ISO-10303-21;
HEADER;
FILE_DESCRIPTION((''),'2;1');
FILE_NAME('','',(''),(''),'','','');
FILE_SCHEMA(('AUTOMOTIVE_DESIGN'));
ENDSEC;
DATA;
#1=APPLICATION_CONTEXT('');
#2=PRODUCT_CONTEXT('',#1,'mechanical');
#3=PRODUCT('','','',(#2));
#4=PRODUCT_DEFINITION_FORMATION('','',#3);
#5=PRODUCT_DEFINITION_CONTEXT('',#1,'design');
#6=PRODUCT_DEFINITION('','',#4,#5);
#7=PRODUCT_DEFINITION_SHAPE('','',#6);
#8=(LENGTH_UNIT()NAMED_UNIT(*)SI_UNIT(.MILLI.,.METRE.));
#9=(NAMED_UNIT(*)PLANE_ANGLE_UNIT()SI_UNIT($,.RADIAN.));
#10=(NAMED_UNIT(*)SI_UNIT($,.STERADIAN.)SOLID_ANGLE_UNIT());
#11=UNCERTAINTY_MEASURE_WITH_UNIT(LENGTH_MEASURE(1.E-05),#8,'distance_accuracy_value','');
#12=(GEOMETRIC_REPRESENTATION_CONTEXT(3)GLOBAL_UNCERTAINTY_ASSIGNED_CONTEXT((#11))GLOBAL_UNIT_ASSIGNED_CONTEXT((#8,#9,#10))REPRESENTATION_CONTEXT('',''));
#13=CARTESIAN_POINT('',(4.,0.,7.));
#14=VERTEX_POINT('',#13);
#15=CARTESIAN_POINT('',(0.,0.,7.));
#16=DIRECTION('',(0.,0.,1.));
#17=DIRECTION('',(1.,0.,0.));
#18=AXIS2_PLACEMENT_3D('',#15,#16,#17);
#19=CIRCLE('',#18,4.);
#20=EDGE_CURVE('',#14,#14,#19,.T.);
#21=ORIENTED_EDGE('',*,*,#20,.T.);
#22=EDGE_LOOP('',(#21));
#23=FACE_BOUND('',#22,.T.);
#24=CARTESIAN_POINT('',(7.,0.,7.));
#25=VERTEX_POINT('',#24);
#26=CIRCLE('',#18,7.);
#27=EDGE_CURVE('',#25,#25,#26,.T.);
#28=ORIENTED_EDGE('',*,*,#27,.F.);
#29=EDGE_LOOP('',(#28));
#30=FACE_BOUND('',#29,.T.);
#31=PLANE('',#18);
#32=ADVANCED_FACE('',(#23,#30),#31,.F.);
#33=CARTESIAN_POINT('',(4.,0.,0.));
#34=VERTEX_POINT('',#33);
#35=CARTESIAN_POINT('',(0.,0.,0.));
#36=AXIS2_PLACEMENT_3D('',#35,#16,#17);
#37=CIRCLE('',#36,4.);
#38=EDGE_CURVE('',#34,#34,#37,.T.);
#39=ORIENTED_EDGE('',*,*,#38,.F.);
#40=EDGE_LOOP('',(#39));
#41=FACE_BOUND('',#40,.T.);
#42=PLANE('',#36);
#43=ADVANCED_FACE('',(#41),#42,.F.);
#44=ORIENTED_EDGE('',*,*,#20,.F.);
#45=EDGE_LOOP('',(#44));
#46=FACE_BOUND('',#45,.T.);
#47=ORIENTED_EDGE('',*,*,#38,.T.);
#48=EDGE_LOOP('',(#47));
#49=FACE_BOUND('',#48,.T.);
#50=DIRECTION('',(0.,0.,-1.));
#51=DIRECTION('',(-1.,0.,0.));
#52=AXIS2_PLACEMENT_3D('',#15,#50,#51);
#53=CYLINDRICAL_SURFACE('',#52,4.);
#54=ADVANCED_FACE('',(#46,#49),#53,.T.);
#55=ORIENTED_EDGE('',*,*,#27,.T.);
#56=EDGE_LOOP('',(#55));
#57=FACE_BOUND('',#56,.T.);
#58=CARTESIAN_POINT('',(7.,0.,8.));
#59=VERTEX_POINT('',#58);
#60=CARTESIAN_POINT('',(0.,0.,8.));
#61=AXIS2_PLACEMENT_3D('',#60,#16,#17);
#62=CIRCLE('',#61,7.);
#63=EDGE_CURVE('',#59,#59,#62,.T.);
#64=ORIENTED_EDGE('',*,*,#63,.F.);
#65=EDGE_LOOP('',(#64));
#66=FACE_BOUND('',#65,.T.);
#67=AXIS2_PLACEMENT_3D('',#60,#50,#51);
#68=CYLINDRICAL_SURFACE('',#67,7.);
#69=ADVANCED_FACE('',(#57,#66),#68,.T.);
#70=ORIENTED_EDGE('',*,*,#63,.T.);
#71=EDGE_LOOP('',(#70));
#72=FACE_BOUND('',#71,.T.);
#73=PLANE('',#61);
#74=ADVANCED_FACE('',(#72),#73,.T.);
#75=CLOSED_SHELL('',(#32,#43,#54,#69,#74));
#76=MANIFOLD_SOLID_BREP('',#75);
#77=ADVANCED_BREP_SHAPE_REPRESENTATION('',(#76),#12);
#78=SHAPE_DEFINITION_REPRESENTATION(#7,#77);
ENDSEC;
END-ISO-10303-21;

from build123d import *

# Parameters (mm, degrees)
SKETCH1_R           = 4
BOSS_EXTRUDE1_DEPTH = 7
SKETCH2_R           = 7
BOSS_EXTRUDE2_DEPTH = 1


with BuildPart() as part:
    # Sketch1 → Boss-Extrude1 (new body)
    with BuildSketch(Plane.XY):
        Circle(SKETCH1_R)
    extrude(amount=BOSS_EXTRUDE1_DEPTH)

    # Sketch2 → Boss-Extrude2 (add)
    with BuildSketch(Plane.XY.offset(7)):
        Circle(SKETCH2_R)
    extrude(amount=BOSS_EXTRUDE2_DEPTH)


solid = part.part
